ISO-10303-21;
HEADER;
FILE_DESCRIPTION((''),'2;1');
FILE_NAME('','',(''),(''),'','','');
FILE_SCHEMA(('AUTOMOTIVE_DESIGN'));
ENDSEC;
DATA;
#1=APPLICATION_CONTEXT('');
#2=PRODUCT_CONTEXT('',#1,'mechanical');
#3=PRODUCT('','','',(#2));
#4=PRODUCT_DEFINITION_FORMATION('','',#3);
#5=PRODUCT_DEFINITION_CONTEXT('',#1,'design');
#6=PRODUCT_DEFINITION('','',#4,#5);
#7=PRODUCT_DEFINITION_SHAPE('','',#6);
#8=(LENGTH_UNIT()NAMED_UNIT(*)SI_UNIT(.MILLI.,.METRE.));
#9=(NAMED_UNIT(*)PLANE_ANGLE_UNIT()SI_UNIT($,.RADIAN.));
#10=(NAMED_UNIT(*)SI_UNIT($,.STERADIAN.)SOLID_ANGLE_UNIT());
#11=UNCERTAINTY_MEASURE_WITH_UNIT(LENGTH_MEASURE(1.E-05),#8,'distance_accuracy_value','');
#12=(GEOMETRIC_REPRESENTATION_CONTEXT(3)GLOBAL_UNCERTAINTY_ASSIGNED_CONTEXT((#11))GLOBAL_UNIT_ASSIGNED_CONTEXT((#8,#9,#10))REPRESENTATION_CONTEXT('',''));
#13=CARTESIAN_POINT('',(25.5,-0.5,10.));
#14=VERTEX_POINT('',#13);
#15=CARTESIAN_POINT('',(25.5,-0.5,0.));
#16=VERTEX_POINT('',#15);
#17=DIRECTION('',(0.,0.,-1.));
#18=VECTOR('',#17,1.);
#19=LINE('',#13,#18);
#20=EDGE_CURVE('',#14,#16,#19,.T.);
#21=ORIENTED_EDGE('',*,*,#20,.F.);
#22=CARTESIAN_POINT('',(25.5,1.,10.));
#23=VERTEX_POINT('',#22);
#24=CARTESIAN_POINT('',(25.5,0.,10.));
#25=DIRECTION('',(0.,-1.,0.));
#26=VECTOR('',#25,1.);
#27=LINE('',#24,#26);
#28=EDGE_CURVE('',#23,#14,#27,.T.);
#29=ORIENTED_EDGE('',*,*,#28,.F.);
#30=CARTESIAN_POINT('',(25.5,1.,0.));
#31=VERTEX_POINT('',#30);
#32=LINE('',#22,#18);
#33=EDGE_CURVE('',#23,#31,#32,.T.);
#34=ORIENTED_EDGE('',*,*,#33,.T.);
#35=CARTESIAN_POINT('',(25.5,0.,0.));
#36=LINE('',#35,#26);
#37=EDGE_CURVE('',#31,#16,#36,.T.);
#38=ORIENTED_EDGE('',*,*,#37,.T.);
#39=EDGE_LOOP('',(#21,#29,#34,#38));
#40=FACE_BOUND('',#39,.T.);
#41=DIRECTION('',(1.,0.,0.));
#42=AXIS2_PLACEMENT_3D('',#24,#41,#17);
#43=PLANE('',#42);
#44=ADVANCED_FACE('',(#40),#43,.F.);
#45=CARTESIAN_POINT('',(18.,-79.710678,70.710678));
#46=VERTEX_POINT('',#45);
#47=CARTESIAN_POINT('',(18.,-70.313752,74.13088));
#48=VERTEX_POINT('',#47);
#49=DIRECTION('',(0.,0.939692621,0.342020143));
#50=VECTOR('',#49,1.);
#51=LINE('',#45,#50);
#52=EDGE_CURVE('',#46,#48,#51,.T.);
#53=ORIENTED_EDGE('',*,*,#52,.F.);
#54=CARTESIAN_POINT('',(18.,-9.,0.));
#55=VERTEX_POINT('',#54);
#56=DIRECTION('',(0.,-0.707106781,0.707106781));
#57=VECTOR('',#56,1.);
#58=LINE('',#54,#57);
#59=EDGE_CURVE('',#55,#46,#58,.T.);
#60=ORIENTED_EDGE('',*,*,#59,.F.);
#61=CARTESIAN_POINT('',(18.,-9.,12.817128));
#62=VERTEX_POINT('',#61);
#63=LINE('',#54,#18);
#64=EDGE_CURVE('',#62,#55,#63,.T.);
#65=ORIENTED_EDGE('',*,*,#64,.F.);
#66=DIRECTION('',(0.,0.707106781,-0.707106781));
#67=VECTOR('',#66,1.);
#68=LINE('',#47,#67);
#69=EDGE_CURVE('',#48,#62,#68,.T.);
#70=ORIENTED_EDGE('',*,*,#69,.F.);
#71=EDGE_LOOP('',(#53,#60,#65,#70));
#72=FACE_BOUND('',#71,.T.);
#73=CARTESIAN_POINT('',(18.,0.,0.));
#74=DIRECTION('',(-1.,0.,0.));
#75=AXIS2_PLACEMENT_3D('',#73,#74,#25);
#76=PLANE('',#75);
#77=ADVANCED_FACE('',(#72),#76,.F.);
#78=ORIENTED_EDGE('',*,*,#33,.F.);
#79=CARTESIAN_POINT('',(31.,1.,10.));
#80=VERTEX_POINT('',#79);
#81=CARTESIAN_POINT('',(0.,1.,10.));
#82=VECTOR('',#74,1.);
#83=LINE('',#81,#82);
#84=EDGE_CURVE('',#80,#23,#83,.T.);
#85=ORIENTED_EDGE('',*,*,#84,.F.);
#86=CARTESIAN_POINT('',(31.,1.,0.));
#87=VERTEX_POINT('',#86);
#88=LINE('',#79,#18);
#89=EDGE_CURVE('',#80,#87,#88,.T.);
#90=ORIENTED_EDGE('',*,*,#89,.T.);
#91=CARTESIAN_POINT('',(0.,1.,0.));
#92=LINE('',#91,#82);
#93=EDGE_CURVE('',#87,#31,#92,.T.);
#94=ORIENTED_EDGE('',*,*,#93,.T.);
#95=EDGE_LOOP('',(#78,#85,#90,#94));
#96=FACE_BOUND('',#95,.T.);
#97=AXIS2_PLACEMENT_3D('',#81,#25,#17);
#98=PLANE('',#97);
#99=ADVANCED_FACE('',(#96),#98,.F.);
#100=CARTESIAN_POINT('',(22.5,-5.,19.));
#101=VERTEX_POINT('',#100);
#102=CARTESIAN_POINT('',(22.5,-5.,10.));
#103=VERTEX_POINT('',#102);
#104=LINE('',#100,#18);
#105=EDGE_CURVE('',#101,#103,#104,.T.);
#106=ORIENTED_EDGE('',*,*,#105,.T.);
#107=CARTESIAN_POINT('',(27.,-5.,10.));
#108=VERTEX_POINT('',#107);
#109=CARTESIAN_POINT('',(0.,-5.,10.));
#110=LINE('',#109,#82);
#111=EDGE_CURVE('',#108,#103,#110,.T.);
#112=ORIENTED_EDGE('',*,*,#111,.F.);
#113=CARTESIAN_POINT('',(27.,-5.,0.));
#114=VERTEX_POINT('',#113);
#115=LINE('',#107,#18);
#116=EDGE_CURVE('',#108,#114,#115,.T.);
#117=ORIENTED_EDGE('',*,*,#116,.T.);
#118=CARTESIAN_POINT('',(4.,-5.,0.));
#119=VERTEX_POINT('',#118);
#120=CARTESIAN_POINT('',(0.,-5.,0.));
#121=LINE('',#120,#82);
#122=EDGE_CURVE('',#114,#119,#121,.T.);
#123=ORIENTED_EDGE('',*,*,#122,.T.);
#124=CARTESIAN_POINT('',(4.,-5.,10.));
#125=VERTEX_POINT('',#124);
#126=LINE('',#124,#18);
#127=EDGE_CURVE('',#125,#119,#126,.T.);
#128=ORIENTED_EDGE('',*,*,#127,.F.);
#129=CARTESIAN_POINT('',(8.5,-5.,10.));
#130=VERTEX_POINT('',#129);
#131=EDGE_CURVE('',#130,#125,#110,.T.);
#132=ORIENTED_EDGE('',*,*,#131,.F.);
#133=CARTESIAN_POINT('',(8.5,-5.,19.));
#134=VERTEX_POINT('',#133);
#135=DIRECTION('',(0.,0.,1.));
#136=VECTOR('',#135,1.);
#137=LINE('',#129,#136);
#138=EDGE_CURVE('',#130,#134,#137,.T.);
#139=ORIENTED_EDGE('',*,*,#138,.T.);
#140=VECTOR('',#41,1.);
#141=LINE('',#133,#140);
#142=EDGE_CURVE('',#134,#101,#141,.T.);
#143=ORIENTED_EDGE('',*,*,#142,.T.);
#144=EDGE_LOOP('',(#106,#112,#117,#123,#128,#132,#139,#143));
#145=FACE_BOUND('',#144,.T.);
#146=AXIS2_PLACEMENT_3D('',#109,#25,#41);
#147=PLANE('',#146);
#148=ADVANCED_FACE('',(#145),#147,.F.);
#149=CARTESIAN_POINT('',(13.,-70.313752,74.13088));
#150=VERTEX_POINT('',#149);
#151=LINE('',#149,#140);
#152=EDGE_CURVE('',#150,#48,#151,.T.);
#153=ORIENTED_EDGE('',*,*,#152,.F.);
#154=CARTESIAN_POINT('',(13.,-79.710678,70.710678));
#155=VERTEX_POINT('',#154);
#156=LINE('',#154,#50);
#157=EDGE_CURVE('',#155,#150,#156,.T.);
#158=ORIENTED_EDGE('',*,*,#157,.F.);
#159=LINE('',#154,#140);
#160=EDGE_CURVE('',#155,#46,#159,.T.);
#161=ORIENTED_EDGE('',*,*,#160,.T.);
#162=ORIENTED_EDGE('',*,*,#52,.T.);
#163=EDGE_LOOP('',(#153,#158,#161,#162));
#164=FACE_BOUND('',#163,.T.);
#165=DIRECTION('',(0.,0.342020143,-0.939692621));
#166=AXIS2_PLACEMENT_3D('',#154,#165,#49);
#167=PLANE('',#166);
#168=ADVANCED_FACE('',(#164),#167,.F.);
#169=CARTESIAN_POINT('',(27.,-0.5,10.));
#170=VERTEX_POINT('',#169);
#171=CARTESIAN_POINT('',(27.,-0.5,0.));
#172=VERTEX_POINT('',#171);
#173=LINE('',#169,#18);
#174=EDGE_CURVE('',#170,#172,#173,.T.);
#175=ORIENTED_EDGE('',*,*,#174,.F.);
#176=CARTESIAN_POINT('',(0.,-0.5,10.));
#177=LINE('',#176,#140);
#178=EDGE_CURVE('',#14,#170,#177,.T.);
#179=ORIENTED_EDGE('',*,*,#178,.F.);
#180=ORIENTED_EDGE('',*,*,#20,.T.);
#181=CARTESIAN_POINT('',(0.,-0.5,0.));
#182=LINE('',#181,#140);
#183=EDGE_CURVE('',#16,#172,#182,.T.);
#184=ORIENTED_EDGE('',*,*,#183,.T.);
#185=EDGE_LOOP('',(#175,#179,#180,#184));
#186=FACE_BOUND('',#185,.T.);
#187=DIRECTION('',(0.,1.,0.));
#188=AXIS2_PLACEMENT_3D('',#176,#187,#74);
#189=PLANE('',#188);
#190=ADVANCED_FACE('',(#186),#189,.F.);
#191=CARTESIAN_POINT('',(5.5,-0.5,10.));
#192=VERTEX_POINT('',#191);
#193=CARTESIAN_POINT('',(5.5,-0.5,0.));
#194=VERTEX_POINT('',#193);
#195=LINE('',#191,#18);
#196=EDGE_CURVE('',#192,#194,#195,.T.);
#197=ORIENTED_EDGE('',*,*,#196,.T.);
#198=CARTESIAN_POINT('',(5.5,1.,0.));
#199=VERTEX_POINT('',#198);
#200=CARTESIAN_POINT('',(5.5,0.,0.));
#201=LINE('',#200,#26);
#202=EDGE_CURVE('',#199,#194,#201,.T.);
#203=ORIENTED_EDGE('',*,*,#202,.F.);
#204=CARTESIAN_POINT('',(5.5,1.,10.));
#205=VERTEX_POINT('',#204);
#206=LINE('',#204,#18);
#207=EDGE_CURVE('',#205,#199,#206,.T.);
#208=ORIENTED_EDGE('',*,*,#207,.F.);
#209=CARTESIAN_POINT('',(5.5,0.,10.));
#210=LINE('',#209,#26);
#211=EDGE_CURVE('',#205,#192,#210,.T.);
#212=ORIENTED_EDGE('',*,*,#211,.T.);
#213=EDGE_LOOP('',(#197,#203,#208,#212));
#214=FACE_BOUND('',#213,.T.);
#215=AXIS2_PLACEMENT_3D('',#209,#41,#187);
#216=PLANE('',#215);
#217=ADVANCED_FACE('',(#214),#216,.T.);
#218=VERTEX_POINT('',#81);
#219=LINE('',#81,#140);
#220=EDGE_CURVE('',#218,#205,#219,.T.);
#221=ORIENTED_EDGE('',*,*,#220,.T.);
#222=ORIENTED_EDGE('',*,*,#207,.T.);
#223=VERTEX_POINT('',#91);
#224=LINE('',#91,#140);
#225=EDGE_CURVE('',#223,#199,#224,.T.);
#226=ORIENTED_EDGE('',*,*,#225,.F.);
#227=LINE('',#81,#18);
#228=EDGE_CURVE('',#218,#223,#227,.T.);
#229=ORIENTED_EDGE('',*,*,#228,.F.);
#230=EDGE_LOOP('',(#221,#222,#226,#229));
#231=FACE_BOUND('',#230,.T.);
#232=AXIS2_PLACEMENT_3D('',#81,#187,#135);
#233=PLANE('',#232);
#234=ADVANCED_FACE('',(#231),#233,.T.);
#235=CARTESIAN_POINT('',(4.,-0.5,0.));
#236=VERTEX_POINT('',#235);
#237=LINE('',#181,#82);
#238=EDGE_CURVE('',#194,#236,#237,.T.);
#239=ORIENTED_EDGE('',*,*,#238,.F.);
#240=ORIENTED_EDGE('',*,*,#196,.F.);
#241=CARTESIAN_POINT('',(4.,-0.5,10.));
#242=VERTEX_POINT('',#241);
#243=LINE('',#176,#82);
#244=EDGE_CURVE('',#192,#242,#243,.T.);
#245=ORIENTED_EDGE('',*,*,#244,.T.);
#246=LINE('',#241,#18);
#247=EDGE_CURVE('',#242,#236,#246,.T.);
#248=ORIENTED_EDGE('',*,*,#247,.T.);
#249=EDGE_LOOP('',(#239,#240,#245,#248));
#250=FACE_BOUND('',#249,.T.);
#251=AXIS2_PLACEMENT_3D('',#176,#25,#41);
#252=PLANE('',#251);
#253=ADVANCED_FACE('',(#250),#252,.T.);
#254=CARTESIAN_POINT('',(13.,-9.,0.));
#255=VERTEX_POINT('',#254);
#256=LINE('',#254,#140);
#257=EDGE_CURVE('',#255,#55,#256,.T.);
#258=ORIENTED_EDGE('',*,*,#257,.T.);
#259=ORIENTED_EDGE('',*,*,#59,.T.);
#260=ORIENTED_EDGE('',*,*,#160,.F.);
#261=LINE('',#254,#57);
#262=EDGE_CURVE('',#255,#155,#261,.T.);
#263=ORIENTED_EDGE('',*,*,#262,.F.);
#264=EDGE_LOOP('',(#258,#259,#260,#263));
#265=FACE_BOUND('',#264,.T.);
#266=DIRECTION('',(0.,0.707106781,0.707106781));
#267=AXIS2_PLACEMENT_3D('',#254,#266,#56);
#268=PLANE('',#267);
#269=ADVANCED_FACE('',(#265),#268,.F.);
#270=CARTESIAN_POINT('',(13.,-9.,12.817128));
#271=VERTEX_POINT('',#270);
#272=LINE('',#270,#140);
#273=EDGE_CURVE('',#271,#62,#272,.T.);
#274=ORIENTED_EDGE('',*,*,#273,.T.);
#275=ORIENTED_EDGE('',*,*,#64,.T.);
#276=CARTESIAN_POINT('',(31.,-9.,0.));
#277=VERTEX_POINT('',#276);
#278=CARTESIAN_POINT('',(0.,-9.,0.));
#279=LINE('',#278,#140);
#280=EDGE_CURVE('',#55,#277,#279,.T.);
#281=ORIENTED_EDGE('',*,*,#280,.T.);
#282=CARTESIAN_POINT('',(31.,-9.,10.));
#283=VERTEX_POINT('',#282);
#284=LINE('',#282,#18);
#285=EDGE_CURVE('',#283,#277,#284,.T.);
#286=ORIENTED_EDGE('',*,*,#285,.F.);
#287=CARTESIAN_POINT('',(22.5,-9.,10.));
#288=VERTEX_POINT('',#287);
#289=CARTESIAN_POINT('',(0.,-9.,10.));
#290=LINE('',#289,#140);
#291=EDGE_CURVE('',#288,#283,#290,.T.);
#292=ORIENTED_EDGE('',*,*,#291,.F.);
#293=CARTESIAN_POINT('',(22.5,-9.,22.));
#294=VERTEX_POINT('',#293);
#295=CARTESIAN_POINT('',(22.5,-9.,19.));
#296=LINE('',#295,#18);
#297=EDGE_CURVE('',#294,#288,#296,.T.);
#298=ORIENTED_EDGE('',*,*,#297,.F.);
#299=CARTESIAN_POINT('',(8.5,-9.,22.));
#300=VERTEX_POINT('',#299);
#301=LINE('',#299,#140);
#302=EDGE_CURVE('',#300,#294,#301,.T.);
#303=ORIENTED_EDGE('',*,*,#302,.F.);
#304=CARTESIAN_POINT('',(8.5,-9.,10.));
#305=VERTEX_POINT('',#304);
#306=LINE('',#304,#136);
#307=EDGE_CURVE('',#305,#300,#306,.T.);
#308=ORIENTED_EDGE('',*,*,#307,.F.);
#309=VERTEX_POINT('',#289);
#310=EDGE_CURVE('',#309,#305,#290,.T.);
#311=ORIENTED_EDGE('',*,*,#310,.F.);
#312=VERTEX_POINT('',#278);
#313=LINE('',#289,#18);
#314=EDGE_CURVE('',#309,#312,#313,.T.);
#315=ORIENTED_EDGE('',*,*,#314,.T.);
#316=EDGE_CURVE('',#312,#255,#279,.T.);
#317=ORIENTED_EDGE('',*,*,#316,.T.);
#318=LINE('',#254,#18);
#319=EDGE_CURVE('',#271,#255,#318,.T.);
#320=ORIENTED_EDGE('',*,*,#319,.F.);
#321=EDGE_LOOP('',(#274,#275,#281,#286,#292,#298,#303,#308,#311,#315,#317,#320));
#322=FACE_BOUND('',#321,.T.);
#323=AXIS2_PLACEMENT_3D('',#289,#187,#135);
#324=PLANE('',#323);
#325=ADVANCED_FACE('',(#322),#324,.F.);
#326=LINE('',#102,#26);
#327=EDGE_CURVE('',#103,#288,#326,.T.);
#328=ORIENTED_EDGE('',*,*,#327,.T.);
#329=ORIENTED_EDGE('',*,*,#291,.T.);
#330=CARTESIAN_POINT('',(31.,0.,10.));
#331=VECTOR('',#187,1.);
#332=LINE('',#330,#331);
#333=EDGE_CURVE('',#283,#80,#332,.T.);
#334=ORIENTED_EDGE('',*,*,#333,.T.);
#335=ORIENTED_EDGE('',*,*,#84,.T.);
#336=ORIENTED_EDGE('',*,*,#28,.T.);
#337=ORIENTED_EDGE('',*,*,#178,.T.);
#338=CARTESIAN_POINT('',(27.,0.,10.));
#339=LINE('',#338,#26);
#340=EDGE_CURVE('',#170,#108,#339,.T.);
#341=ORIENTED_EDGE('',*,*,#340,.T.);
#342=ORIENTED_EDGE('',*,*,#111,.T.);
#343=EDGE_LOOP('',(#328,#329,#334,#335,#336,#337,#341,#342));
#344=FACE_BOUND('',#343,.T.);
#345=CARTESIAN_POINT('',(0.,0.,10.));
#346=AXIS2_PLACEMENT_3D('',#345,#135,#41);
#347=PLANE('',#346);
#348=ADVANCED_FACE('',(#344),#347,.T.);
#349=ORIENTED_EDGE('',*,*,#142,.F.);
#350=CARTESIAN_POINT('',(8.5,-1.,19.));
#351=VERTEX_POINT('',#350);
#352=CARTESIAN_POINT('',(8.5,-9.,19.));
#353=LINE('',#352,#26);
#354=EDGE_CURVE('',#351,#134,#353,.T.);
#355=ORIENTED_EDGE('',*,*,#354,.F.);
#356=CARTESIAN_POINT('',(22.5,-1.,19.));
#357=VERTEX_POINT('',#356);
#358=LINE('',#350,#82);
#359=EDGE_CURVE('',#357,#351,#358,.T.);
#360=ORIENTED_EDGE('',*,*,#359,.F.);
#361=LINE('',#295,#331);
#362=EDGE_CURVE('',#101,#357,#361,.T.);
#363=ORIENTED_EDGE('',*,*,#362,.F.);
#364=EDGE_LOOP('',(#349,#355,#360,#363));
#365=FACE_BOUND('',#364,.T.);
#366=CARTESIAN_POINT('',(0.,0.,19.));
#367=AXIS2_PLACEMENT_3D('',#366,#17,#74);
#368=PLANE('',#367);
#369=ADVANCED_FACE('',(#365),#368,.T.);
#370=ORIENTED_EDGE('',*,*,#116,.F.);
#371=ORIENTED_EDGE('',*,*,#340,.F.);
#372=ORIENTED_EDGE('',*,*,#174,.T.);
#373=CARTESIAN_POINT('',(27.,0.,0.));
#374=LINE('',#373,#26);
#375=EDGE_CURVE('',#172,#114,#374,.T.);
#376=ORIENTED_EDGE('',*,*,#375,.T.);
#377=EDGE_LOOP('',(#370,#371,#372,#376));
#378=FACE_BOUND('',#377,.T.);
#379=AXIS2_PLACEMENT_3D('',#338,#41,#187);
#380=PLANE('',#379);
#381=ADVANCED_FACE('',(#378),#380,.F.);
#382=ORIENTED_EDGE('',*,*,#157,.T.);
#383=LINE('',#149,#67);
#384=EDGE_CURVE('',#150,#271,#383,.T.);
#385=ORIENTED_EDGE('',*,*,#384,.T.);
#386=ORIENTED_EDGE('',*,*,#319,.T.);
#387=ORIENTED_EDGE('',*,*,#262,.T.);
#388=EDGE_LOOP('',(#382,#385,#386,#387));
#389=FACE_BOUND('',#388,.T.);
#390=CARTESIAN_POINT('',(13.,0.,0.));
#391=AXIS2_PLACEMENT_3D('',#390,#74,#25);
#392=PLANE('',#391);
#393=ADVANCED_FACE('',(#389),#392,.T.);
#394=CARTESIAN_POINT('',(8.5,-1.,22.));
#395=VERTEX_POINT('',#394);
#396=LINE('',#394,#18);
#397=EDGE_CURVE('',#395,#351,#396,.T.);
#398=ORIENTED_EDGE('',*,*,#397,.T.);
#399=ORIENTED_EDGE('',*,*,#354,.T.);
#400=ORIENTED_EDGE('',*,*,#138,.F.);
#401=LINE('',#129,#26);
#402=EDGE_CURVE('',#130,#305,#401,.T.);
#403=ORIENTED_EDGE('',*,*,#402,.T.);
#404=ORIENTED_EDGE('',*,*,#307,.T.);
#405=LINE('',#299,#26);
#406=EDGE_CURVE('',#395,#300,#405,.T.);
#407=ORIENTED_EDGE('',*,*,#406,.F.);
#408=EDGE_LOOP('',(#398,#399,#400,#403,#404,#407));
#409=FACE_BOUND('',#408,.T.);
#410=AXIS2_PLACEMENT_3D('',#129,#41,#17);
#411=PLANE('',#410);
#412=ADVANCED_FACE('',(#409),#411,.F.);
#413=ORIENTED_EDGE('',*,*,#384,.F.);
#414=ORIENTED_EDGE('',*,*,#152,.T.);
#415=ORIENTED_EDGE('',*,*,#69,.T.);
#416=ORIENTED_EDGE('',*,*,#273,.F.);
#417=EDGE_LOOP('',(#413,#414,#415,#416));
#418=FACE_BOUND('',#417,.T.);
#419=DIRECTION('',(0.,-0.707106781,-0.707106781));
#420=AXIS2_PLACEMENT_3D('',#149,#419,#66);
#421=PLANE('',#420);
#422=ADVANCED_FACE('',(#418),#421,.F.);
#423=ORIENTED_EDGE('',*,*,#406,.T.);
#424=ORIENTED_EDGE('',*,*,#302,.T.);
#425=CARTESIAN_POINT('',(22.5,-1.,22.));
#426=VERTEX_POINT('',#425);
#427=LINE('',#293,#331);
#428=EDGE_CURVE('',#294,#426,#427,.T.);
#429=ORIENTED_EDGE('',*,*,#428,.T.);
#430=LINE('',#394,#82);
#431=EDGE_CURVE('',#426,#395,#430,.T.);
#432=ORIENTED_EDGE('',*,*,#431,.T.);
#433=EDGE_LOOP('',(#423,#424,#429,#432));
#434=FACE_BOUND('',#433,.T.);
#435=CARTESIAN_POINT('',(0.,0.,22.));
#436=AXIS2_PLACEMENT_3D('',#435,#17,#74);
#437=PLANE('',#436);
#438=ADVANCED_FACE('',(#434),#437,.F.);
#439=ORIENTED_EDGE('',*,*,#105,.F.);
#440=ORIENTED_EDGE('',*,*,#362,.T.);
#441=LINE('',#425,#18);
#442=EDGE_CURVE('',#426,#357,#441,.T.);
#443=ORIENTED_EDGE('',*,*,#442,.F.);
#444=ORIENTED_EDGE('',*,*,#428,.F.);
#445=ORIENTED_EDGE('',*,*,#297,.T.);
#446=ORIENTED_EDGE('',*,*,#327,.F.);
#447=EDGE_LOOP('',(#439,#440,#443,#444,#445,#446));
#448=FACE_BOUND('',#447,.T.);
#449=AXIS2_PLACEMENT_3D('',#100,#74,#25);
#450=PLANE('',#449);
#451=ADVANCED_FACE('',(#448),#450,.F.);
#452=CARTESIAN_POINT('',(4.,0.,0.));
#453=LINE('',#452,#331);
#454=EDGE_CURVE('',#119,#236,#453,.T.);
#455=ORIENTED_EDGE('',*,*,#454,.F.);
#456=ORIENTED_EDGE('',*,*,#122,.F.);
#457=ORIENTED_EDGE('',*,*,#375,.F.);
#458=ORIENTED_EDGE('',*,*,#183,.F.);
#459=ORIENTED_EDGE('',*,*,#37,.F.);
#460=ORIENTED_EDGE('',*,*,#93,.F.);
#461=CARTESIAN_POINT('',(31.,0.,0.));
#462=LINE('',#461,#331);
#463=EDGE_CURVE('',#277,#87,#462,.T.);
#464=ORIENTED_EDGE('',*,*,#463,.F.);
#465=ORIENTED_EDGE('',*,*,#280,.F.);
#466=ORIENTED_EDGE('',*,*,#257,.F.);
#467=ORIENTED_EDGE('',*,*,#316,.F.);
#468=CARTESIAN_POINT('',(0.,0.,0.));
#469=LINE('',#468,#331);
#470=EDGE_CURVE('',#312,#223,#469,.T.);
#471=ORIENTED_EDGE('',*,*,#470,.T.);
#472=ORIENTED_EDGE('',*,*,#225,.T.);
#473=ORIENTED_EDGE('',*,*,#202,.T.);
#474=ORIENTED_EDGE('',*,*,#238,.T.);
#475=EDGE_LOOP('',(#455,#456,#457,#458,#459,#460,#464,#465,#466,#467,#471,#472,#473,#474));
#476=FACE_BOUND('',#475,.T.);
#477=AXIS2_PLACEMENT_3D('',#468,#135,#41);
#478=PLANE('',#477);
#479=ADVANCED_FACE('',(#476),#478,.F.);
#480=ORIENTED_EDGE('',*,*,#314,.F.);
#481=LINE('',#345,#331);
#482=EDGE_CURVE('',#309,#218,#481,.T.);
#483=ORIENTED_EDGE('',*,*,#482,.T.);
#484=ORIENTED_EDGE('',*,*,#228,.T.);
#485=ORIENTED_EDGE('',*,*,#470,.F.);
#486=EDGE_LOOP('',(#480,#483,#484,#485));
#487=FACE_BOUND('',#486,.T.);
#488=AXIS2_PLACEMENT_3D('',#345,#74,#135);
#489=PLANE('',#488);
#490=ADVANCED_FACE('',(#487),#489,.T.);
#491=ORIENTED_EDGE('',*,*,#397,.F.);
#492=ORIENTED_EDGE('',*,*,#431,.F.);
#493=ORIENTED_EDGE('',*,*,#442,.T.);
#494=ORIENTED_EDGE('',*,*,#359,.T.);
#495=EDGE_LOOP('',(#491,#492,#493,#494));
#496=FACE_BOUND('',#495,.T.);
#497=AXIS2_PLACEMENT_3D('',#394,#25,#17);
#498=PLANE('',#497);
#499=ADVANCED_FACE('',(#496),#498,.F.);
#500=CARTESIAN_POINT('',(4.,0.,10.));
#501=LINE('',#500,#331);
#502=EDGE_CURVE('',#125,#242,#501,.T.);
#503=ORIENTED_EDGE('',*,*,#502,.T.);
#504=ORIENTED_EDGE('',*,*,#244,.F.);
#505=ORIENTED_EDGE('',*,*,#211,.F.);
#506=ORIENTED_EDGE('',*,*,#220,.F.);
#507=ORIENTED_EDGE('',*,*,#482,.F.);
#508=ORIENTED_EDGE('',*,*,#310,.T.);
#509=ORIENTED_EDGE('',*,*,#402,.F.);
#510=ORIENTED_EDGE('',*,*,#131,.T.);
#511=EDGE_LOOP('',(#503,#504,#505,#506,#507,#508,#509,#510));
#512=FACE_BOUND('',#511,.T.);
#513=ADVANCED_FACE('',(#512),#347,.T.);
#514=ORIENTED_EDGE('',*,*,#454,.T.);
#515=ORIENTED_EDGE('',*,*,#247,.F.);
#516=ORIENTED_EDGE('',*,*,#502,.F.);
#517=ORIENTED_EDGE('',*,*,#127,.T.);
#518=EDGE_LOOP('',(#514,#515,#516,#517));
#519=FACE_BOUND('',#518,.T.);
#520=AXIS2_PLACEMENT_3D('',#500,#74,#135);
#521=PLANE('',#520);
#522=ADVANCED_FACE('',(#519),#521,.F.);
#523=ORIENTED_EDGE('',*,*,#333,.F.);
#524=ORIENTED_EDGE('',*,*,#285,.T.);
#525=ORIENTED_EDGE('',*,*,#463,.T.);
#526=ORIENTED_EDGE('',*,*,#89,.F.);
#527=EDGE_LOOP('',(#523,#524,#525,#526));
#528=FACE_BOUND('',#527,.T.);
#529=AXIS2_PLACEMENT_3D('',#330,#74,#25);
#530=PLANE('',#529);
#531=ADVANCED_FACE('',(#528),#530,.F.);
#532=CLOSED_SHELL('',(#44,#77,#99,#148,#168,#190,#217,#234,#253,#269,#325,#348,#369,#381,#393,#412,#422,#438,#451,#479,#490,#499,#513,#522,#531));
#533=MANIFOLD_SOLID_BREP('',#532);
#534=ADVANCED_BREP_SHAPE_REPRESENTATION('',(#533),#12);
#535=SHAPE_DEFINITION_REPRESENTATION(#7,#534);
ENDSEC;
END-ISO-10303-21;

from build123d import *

# Parameters (mm, degrees)
BOSS_EXTRUDE1_DEPTH  = 10
BOSS_EXTRUDE2_DEPTH  = 2.5
SKETCH9_W            = 14
SKETCH9_H            = 9
BOSS_EXTRUDE11_DEPTH = 4
SKETCH10_W           = 14
SKETCH10_H           = 8
BOSS_EXTRUDE12_DEPTH = 3


with BuildPart() as part:
    # Sketch1 → Boss-Extrude1 (new body)
    with BuildSketch(Plane.XY):
        Polygon((0, 1), (0, 0), (0, -9), (15.5, -9), (15.5, -5), (4, -5), (4, -0.5), (5.5, -0.5), (5.5, 1), align=None)
        Polygon((15.5, -5), (15.5, -9), (31, -9), (31, 0), (31, 1), (25.5, 1), (25.5, -0.5), (27, -0.5), (27, -5), align=None)
    extrude(amount=BOSS_EXTRUDE1_DEPTH)

    # Sketch2 → Boss-Extrude2 (add, symmetric)
    with BuildSketch(Plane.ZY.offset(-15.5)):
        Polygon((0, -9), (70.710678119, -79.710678119), (74.130879552, -70.313751911), (12.817127641, -9), align=None)
    extrude(amount=BOSS_EXTRUDE2_DEPTH, both=True)

    # Sketch9 → Boss-Extrude11 (add)
    with BuildSketch(Plane(origin=(0, -9, 0), x_dir=(1, 0, 0), z_dir=(0, 1, 0))):
        with Locations((15.5, -14.5)):
            Rectangle(SKETCH9_W, SKETCH9_H)
    extrude(amount=BOSS_EXTRUDE11_DEPTH)

    # Sketch10 → Boss-Extrude12 (add)
    with BuildSketch(Plane.XY.offset(19)):
        with Locations((15.5, -5)):
            Rectangle(SKETCH10_W, SKETCH10_H)
    extrude(amount=BOSS_EXTRUDE12_DEPTH)


solid = part.part
